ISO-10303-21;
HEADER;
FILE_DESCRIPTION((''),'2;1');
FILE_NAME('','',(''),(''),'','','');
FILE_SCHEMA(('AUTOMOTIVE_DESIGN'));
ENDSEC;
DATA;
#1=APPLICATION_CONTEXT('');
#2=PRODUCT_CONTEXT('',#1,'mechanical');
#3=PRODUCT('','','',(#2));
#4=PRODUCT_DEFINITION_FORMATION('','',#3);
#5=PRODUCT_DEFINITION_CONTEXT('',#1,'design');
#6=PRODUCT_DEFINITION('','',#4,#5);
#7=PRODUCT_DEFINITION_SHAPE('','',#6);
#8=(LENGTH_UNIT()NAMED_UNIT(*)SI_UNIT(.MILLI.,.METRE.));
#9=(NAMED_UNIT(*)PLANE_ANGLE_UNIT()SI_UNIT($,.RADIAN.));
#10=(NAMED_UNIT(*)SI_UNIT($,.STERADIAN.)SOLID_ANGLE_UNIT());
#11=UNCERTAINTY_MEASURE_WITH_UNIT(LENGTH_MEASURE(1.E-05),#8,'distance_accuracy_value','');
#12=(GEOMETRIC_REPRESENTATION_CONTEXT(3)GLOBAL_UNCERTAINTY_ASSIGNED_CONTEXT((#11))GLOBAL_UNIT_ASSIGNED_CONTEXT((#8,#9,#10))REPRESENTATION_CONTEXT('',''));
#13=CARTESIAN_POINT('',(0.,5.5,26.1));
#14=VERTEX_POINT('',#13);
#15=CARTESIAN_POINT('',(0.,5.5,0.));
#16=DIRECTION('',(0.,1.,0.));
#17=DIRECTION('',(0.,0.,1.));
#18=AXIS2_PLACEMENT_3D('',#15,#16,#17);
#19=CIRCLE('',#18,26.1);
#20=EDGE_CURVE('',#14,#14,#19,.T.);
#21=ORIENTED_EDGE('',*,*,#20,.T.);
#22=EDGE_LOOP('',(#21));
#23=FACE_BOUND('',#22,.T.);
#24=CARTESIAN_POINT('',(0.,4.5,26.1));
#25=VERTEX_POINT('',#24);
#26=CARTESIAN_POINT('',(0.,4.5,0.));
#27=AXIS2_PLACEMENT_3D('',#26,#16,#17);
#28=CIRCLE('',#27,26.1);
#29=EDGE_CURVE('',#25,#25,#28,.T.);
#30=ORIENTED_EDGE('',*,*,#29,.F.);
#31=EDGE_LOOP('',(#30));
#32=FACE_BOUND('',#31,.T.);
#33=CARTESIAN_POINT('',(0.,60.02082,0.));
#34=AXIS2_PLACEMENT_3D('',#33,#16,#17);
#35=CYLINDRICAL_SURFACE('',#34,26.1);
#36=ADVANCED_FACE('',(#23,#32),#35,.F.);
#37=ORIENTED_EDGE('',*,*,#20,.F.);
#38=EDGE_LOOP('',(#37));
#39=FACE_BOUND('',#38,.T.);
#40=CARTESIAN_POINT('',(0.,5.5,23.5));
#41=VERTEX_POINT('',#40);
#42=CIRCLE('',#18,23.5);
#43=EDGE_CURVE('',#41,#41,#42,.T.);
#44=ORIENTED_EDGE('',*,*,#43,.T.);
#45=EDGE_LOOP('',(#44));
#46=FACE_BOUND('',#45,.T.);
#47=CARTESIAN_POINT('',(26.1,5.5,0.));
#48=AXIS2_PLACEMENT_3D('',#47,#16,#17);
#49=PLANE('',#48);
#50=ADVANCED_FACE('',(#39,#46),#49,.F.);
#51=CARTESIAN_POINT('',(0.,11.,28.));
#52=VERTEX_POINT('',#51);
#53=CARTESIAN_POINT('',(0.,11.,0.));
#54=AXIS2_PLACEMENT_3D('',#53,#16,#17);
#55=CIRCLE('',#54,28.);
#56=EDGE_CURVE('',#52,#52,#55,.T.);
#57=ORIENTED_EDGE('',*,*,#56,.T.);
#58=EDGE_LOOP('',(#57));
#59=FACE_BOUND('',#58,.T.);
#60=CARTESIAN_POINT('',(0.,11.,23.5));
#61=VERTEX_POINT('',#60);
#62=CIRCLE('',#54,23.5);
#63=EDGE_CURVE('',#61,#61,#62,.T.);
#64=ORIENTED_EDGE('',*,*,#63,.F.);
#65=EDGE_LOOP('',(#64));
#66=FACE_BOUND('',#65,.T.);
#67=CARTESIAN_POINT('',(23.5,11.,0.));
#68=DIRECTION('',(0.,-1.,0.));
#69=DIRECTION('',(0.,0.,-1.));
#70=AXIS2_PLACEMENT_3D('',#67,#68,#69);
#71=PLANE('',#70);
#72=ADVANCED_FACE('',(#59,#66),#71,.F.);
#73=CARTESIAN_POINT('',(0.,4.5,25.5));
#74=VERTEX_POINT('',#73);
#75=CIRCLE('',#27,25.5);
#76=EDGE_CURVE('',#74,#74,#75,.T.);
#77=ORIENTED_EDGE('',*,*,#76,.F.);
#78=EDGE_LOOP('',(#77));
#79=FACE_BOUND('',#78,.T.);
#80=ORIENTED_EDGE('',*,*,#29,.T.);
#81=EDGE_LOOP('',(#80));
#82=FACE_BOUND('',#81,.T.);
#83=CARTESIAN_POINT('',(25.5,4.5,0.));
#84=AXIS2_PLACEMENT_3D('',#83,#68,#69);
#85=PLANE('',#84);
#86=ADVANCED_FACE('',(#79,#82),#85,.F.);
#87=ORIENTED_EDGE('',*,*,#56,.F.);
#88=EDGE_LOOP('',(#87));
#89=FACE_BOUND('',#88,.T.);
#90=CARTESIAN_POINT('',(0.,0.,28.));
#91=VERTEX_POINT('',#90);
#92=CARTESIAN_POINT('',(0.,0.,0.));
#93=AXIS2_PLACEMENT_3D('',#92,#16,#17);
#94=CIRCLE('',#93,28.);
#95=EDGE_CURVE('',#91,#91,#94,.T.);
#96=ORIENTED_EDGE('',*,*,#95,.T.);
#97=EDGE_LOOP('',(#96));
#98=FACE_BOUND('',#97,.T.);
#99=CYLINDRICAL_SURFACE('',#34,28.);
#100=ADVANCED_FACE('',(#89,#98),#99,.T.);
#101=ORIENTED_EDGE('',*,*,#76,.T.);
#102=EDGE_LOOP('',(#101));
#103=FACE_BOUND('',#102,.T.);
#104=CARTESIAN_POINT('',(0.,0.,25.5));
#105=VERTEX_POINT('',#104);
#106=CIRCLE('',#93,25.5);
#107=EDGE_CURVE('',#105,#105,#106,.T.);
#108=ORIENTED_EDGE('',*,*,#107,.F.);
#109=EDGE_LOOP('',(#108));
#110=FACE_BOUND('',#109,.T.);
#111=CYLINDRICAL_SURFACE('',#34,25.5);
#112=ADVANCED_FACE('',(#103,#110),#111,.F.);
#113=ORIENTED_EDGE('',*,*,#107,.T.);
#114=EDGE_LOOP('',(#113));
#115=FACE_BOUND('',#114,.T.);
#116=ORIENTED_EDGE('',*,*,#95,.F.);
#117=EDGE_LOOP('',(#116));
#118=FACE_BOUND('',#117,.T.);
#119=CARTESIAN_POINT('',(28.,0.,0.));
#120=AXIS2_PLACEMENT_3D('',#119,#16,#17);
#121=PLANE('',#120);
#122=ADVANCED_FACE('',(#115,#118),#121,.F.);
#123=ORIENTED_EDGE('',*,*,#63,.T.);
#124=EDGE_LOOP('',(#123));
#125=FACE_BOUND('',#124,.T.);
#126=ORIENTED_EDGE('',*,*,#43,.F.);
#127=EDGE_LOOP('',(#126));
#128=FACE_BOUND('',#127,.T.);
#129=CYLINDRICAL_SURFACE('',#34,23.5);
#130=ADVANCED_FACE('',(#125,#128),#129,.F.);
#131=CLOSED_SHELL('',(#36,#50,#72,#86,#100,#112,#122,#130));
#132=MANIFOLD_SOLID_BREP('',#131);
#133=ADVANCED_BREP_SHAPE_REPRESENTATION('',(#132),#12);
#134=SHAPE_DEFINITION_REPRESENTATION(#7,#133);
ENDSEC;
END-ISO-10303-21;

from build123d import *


with BuildPart() as part:
    # 草图1 → 旋转1 (revolve)
    with BuildSketch(Plane.XY, mode=Mode.PRIVATE) as revolve_1_sk:
        Polygon((25.5, 0), (25.5, 4.5), (26.1, 4.5), (26.1, 5.5), (23.5, 5.5), (23.5, 11), (28, 11), (28, 0), align=None)
    revolve(revolve_1_sk.sketch.rotate(Axis((0, 60.020820414, 0), (0, -1, 0)), 90), axis=Axis((0, 60.020820414, 0), (0, -1, 0)))  # turned: the seam where the file's is


solid = part.part
